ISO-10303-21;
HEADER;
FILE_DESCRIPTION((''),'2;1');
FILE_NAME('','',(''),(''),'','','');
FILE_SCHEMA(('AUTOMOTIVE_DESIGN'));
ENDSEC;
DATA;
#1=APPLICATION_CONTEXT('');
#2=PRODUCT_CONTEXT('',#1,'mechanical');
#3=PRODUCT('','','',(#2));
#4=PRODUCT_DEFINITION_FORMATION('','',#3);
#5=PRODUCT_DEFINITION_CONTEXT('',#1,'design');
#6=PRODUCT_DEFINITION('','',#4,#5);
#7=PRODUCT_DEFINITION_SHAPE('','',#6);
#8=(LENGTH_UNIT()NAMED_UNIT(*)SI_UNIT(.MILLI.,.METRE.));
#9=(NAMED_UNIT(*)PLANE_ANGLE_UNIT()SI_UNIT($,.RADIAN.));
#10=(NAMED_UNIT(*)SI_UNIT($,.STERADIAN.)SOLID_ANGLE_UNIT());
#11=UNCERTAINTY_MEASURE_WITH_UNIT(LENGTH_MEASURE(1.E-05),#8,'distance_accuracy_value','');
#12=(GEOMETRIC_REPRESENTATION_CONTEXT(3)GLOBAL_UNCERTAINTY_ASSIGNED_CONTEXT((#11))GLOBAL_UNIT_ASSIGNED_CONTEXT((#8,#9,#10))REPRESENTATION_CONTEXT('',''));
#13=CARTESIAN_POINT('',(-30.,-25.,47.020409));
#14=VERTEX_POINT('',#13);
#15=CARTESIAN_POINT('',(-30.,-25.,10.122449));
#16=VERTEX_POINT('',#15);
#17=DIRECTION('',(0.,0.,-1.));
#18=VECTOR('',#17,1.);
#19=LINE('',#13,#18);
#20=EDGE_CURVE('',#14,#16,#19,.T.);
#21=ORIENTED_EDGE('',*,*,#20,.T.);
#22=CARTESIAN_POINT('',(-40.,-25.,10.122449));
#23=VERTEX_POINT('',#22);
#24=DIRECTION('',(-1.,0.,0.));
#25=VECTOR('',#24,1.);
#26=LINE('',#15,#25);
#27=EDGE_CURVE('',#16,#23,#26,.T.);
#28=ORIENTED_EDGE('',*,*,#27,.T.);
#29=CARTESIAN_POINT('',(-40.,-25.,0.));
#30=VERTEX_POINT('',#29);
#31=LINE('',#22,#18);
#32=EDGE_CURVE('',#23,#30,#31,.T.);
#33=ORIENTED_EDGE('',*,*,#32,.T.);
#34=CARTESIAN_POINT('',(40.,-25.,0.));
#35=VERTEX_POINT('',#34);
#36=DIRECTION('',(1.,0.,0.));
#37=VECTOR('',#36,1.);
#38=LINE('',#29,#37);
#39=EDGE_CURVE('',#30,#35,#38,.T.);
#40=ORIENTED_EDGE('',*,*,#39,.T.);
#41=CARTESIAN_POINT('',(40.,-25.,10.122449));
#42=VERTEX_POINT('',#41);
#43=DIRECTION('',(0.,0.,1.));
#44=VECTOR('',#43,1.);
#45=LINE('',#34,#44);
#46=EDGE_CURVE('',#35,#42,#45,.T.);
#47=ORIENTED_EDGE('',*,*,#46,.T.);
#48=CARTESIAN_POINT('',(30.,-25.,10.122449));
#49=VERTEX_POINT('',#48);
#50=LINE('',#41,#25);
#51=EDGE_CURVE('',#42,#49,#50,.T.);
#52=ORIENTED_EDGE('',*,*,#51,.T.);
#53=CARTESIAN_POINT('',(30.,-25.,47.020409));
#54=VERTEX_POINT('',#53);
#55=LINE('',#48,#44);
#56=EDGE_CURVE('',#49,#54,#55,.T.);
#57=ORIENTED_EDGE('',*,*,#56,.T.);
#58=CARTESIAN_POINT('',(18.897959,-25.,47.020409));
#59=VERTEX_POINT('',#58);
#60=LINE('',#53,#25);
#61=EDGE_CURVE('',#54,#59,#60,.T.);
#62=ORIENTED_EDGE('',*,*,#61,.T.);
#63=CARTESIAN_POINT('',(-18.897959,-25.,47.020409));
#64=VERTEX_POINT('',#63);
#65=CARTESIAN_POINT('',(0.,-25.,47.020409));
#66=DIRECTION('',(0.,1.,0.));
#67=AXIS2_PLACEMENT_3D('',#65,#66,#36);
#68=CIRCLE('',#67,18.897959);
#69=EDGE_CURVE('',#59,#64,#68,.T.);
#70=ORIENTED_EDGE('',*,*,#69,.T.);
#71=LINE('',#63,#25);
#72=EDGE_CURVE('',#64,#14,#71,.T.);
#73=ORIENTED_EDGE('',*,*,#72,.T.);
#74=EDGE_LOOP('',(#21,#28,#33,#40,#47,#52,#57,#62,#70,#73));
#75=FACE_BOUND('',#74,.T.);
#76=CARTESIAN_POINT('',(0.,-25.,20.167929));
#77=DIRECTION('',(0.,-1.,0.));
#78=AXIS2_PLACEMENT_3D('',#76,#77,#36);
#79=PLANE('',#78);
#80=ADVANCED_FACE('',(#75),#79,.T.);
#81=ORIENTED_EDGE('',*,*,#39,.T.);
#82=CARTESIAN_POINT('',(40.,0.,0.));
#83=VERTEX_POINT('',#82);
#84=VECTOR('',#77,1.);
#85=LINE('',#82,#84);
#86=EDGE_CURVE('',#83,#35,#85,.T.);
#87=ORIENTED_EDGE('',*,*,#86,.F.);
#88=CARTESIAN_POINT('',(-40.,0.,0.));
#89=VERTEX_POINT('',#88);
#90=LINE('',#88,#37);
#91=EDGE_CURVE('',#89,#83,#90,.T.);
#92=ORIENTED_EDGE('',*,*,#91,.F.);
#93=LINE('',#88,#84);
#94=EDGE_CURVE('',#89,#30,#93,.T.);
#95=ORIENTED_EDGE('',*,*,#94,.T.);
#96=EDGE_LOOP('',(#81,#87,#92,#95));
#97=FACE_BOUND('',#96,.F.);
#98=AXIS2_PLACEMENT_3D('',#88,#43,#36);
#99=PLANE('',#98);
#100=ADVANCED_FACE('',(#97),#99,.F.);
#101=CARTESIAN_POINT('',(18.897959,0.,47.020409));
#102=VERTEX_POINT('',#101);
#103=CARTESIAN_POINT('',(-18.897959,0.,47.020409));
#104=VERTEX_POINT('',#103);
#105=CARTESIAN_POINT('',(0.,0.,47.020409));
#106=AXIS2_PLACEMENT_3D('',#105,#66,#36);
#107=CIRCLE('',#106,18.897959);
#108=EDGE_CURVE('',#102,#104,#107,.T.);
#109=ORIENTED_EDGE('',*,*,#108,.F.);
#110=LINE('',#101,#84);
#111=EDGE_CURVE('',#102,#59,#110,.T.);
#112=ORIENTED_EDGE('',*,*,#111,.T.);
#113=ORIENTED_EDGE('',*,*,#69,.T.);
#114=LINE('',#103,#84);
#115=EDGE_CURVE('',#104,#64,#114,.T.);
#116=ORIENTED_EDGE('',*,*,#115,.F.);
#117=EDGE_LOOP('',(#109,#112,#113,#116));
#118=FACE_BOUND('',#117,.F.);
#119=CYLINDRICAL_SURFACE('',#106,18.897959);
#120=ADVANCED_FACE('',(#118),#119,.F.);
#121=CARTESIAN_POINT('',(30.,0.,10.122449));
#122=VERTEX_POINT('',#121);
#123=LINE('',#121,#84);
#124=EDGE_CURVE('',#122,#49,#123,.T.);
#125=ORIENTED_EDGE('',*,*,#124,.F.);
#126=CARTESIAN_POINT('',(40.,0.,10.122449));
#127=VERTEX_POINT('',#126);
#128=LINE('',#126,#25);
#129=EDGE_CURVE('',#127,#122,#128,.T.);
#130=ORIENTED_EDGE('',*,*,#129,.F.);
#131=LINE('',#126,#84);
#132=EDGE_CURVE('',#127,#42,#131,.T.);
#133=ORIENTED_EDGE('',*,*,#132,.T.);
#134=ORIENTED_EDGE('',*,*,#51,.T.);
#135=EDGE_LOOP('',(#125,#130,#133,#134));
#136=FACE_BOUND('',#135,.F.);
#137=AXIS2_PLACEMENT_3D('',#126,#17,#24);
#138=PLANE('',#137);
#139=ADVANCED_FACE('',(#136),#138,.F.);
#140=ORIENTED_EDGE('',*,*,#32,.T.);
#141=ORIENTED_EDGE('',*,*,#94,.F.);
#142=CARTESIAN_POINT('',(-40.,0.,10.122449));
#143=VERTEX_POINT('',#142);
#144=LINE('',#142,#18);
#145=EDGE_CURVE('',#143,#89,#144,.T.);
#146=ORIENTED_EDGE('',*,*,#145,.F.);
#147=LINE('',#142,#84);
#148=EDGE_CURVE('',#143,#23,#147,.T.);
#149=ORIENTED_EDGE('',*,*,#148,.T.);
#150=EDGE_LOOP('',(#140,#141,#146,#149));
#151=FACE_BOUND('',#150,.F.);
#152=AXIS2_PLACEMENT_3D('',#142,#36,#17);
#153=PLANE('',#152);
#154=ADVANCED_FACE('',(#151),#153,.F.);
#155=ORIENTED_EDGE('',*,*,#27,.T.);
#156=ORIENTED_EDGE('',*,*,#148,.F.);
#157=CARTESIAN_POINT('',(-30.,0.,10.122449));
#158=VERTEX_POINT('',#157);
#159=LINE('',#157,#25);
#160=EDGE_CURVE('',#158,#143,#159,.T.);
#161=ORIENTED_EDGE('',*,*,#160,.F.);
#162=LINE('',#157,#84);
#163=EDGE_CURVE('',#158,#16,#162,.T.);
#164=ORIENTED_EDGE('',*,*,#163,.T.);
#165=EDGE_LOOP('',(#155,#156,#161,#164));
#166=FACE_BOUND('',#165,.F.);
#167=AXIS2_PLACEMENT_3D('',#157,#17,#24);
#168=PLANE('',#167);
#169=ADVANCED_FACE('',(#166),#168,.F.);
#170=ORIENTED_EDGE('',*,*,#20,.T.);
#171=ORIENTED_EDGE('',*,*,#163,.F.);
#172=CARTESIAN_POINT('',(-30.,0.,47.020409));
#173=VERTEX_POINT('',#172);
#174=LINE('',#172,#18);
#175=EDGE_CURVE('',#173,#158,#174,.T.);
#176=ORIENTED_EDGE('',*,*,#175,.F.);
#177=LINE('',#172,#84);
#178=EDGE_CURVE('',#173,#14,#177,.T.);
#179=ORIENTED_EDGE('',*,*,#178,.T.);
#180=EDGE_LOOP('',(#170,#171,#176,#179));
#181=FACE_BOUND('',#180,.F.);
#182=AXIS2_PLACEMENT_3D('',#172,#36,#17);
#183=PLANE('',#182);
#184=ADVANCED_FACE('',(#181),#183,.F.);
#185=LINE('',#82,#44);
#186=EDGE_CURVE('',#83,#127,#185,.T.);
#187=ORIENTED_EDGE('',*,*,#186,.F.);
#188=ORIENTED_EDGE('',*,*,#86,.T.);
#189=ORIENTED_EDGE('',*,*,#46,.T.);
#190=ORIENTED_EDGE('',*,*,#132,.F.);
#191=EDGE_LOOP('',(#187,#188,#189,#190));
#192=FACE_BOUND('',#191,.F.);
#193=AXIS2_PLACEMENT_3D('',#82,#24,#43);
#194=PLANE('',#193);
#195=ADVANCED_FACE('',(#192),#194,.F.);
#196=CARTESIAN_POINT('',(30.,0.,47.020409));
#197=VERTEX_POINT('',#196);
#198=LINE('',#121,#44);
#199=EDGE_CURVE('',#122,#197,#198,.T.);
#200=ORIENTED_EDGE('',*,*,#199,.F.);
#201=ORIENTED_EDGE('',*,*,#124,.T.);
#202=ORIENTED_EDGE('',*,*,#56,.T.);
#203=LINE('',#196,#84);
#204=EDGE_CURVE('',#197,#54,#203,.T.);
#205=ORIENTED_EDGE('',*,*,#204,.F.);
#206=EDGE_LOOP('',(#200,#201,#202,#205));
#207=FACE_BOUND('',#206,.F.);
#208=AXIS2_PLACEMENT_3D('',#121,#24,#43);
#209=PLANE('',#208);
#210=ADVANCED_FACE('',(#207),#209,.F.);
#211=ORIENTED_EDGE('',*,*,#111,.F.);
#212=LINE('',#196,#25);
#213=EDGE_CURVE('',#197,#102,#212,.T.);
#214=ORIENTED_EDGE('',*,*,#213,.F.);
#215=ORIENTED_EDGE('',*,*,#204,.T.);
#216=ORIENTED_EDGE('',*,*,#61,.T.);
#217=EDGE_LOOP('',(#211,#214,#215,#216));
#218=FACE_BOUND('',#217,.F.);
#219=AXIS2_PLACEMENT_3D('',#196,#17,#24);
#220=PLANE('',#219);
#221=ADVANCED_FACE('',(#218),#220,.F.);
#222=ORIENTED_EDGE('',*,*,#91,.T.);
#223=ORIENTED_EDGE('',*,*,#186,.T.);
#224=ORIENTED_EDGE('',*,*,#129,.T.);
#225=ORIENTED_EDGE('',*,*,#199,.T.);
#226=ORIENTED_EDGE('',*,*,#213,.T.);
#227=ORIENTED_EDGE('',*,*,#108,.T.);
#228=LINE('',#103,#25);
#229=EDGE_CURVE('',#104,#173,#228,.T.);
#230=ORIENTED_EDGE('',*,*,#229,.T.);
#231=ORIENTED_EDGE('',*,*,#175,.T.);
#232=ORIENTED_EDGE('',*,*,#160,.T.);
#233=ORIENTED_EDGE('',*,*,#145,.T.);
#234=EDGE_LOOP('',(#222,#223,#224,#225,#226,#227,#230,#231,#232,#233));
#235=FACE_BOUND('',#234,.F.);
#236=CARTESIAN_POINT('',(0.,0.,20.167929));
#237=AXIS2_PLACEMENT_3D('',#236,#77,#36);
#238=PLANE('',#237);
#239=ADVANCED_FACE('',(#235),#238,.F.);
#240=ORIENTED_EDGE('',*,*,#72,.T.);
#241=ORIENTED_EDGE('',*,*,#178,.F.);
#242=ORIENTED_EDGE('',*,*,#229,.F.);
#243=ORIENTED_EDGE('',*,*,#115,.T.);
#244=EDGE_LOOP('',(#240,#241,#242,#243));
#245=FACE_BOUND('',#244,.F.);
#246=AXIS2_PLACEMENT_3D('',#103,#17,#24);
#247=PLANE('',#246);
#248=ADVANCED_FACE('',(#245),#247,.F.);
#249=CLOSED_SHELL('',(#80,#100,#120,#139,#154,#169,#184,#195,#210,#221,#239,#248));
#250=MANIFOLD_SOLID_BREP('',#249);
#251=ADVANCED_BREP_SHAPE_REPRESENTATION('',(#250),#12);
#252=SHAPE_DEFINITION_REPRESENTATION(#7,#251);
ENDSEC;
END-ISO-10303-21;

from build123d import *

# Parameters (mm, degrees)
F1_DEPTH = 25


with BuildPart() as f1:
    # F0 (on Front) → F1 (new body)
    with BuildSketch(Plane.XZ):
        with BuildLine():
            Line((-40, 0), (0, 0))
            Line((0, 0), (40, 0))
            Line((40, 0), (40, 10.122449))
            Line((40, 10.122449), (30, 10.122449))
            Line((30, 10.122449), (30, 47.020409))
            Line((30, 47.020409), (18.897959, 47.020409))
            ThreePointArc((18.897959, 47.020409), (0, 28.12245), (-18.897959, 47.020409))
            Line((-18.897959, 47.020409), (-30, 47.020409))
            Line((-30, 47.020409), (-30, 10.122449))
            Line((-30, 10.122449), (-40, 10.122449))
            Line((-40, 10.122449), (-40, 0))
        make_face()
    extrude(amount=F1_DEPTH)


solid = f1.part
